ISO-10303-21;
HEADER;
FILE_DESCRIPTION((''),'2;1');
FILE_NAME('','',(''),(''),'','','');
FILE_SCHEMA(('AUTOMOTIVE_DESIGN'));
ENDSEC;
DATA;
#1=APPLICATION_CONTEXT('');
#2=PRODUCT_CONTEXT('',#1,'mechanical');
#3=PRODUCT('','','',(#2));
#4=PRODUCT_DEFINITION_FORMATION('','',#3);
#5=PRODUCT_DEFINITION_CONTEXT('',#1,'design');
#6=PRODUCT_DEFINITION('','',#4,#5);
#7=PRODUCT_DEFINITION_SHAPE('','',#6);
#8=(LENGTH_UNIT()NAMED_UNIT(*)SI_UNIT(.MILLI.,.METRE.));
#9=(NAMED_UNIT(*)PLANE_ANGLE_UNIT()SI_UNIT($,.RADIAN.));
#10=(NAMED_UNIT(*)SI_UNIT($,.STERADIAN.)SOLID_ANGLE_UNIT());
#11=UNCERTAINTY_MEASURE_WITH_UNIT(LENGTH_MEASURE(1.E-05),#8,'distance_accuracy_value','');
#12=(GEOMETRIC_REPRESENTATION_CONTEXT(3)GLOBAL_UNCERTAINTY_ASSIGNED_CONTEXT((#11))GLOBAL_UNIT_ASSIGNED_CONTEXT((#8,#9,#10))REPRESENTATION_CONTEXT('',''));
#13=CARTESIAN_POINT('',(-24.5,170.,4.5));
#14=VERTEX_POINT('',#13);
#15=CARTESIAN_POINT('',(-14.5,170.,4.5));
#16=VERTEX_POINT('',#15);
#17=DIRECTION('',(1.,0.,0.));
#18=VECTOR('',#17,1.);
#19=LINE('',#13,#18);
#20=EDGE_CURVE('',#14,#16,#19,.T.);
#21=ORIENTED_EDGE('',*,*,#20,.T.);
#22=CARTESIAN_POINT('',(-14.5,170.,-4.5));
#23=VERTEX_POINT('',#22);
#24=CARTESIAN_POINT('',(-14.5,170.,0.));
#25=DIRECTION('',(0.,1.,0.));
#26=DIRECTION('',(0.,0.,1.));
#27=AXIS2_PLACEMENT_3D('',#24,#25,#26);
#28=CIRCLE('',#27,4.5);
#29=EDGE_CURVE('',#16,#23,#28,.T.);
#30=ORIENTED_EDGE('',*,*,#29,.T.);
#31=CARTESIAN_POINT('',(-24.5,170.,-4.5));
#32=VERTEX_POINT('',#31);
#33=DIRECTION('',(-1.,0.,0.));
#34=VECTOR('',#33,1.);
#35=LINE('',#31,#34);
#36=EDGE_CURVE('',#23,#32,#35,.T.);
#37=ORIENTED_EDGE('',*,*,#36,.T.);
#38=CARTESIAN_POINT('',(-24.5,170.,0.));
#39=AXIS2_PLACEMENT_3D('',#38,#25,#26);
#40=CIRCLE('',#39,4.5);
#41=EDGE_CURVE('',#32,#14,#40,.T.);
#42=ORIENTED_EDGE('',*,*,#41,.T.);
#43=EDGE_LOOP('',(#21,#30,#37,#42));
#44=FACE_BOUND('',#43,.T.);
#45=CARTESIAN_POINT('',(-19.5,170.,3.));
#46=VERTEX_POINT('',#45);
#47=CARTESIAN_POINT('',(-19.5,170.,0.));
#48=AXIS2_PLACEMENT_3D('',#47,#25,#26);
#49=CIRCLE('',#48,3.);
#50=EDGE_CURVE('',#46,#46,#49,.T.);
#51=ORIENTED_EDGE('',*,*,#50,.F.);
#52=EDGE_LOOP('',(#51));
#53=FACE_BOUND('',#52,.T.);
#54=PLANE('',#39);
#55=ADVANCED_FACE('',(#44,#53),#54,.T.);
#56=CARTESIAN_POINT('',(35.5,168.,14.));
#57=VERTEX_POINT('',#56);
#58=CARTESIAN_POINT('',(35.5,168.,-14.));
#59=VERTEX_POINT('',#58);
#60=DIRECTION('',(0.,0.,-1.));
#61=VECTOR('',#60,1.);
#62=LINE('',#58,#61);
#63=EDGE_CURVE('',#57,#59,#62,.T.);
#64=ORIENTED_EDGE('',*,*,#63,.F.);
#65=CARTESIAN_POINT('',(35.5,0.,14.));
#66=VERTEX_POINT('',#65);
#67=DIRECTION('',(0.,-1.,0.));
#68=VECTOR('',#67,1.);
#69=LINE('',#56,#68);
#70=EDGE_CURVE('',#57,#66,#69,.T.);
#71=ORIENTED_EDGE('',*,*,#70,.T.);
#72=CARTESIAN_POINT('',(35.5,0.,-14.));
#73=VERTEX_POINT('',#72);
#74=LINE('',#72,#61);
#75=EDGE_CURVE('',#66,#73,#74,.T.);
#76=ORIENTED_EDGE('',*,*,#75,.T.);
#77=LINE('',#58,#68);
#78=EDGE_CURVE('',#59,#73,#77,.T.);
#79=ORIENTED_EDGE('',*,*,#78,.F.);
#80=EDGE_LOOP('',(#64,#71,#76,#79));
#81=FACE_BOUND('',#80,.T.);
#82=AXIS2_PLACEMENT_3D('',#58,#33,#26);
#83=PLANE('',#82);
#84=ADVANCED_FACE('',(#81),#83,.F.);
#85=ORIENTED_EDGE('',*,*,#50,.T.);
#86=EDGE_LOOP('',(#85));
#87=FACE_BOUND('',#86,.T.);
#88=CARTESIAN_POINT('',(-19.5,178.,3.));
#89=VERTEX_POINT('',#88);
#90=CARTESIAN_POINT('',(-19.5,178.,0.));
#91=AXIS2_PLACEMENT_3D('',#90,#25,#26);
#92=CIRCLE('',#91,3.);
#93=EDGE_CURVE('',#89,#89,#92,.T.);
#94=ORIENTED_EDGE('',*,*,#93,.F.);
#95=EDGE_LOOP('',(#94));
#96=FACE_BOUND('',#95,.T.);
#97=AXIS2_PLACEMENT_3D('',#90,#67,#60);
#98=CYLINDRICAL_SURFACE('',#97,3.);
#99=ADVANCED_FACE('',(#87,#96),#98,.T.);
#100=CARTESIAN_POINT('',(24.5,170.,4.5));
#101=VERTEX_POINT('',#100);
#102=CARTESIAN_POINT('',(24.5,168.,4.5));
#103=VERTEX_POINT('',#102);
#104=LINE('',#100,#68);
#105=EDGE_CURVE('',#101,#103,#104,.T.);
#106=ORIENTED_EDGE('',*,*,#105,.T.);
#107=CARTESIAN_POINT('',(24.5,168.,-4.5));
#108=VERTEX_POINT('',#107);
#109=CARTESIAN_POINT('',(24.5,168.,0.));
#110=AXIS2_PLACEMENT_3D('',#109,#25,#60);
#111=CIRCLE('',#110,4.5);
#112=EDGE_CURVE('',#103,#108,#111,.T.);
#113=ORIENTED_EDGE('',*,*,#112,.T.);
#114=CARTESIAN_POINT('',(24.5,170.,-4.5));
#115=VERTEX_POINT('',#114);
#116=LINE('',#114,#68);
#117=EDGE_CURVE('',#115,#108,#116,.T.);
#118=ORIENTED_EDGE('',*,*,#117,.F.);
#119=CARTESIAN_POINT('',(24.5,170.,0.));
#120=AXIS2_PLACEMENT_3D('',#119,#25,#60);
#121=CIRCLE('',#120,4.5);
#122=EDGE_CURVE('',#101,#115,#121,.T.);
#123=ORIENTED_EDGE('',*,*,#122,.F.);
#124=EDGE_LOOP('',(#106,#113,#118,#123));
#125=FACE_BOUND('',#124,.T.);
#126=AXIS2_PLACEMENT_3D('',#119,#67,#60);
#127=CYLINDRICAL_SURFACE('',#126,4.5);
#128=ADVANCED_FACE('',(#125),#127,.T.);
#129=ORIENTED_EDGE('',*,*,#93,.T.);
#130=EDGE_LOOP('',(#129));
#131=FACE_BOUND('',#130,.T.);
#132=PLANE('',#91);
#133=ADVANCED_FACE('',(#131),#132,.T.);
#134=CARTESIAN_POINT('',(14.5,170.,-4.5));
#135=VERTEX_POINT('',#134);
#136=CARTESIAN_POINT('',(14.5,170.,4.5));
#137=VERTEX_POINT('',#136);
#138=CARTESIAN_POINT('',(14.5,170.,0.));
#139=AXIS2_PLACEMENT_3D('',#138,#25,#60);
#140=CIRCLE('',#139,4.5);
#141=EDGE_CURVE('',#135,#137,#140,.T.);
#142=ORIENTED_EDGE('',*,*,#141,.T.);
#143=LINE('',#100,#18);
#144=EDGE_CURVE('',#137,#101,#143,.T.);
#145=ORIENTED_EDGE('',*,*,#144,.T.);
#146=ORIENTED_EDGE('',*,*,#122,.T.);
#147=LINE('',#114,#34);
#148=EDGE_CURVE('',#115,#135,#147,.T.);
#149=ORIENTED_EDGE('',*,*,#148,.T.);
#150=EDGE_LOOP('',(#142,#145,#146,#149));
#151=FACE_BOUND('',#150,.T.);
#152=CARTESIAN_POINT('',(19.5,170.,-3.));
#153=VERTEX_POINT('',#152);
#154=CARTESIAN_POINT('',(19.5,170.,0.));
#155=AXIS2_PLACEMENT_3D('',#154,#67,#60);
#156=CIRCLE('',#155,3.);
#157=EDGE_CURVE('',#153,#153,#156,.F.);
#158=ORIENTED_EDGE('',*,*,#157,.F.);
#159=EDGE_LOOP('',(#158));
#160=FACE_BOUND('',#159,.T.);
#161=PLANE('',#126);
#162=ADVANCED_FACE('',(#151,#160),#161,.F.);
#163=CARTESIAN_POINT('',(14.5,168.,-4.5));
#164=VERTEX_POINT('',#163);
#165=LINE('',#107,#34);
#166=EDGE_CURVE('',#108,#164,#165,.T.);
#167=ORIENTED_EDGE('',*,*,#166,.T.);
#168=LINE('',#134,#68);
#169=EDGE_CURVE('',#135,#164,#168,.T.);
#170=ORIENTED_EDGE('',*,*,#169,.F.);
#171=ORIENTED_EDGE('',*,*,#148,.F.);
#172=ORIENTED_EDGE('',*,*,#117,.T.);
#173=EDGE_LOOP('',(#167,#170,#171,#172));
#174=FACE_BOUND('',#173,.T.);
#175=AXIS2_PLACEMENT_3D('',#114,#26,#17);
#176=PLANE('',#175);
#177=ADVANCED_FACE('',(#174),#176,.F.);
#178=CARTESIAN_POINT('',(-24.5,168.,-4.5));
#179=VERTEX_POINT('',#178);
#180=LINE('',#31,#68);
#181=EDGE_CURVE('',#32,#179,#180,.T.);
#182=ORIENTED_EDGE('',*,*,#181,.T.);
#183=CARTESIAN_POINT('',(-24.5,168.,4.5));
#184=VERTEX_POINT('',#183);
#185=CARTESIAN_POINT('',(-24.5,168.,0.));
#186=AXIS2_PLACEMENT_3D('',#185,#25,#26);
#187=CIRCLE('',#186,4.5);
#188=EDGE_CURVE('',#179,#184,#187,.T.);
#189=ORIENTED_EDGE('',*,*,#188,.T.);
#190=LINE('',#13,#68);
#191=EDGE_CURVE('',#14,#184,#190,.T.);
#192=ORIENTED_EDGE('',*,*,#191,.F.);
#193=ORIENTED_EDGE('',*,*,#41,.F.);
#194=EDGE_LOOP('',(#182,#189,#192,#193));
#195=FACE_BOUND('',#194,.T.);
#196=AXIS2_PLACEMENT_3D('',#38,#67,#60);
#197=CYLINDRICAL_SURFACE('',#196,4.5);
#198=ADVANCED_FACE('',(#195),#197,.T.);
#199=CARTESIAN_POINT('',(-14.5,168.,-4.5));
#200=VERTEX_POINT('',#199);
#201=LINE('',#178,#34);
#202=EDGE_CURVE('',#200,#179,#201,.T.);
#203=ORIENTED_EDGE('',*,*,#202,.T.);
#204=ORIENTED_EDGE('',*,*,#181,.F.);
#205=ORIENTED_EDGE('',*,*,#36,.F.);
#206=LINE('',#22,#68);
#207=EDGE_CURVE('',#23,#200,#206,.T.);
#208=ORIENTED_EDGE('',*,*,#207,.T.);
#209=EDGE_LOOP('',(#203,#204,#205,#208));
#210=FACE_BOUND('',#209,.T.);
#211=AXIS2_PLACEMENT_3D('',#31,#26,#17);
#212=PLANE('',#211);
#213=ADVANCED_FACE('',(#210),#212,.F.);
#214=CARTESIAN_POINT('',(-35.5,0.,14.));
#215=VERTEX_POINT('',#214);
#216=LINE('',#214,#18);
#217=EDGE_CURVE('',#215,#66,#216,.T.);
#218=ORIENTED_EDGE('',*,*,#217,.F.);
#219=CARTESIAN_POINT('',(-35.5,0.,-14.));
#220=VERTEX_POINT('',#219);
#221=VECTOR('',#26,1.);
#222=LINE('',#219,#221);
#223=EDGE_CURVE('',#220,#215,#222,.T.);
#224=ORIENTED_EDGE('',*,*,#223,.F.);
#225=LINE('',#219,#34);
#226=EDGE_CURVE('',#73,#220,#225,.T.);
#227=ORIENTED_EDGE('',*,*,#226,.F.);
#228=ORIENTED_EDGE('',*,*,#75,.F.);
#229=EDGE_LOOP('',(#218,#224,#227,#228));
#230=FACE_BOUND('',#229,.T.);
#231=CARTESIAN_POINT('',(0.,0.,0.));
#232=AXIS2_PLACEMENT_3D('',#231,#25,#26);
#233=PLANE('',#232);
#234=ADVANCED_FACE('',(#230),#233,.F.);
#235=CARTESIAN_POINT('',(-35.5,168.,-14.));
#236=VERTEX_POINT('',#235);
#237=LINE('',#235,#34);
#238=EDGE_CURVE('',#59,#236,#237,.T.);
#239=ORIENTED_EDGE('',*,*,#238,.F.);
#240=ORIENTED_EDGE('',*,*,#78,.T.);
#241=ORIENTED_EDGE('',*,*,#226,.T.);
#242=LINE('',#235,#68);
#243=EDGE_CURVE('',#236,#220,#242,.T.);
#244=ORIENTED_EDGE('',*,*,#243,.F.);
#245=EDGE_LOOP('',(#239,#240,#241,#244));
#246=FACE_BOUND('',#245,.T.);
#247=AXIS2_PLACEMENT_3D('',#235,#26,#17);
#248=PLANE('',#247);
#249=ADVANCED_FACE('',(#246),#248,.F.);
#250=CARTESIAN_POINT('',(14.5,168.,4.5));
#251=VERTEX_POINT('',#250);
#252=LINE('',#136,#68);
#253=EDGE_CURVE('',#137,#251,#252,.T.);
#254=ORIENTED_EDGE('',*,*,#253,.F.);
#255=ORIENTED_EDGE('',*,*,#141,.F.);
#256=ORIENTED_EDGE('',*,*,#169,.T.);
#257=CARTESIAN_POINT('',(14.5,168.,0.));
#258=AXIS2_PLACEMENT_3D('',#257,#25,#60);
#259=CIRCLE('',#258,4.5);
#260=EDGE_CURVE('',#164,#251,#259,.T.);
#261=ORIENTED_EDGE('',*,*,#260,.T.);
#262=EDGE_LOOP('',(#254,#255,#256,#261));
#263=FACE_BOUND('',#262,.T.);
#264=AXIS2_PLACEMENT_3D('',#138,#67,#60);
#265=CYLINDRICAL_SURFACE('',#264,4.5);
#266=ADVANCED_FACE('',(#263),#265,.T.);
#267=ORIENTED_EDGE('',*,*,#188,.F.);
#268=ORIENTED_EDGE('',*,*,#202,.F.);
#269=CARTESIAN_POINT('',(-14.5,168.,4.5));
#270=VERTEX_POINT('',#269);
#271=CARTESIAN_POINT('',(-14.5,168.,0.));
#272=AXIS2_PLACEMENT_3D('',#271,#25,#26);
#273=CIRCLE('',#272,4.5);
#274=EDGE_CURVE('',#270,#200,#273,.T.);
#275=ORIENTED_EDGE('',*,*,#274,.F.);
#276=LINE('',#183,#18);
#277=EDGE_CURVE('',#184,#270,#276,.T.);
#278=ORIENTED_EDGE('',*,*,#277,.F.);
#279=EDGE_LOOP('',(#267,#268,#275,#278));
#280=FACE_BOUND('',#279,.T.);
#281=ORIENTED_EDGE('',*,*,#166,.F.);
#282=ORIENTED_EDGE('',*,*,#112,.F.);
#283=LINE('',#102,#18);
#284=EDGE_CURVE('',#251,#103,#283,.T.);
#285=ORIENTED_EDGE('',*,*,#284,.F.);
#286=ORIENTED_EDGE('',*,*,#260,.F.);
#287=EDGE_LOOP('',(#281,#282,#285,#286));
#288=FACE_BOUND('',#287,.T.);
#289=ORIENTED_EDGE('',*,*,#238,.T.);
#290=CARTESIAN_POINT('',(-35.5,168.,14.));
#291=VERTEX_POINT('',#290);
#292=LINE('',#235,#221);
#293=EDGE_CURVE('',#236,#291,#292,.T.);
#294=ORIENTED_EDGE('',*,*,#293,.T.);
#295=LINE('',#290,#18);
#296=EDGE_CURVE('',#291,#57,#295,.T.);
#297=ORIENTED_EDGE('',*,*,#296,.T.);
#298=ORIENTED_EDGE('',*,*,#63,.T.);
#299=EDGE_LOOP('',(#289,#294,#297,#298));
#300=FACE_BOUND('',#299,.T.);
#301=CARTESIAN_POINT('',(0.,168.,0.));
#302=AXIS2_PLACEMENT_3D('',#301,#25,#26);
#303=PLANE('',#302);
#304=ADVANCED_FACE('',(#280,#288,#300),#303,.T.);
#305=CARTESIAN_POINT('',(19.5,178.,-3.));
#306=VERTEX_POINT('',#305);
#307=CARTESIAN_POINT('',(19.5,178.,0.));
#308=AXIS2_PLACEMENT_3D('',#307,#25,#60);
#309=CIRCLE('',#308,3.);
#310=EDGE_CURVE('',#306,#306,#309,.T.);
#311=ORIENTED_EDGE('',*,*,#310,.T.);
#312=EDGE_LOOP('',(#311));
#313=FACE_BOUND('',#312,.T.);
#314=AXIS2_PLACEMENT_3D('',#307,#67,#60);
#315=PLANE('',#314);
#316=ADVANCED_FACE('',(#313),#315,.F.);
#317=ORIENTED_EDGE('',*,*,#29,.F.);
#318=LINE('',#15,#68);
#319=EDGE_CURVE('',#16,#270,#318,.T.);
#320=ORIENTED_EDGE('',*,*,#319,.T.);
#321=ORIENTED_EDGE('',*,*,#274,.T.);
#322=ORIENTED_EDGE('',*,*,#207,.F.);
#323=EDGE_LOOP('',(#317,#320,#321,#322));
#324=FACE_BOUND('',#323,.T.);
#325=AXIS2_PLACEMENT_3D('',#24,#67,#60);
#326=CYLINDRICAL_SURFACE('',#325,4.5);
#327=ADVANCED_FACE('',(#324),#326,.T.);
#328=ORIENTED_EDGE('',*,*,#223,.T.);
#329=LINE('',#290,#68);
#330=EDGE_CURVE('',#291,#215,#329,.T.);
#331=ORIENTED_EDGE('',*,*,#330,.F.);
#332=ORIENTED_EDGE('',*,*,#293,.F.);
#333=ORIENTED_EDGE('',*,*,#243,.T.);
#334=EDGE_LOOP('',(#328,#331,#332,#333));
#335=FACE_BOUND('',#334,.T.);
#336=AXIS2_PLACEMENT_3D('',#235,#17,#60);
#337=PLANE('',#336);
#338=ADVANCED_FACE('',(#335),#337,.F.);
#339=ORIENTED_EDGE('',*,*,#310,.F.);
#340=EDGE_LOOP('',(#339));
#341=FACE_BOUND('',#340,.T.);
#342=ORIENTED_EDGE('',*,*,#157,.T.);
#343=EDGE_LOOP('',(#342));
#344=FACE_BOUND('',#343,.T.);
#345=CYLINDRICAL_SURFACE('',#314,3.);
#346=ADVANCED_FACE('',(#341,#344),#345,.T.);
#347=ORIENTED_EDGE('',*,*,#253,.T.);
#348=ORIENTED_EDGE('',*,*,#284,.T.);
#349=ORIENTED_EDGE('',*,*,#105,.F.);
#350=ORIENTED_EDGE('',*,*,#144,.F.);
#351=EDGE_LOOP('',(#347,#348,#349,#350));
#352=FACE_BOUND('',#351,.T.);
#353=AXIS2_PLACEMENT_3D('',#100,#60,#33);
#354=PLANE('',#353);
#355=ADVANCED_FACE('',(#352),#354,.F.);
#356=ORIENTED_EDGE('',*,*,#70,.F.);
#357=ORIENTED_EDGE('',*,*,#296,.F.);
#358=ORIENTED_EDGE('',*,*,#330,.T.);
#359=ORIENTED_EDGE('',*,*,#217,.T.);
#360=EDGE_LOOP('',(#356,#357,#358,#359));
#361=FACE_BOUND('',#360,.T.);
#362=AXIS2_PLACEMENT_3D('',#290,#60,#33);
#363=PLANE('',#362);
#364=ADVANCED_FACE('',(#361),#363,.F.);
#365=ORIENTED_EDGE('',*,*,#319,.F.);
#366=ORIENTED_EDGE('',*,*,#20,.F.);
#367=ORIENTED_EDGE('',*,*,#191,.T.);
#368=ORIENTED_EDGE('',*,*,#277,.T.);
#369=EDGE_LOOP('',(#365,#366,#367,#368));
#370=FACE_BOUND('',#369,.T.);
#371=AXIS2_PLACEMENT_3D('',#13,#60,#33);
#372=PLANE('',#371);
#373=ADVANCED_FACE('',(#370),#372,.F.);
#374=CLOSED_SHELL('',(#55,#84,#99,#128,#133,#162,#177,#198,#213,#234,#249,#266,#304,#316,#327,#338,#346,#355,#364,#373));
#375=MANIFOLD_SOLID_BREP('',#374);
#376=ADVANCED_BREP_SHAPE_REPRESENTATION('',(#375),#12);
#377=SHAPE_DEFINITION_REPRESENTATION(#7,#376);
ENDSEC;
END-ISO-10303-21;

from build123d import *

# Parameters (mm, degrees)
ESQUISSE1_W        = 71
ESQUISSE1_H        = 28
BOSS_EXTRU_1_DEPTH = 168
BOSS_EXTRU_2_DEPTH = 2
ESQUISSE3_R        = 3
BOSS_EXTRU_3_DEPTH = 8


with BuildPart() as part:
    # Esquisse1 → Boss.-Extru.1 (new body)
    with BuildSketch(Plane(origin=(0, 0, 0), x_dir=(1, 0, 0), z_dir=(0, 1, 0))):
        Rectangle(ESQUISSE1_W, ESQUISSE1_H)
    extrude(amount=BOSS_EXTRU_1_DEPTH)

    # Esquisse2 → Boss.-Extru.2 (add)
    with BuildSketch(Plane(origin=(0, 168, 0), x_dir=(1, 0, 0), z_dir=(0, 1, 0))):
        with BuildLine():
            Line((-24.5, 4.5), (-14.5, 4.5))
            ThreePointArc((-14.5, 4.5), (-10, 0), (-14.5, -4.5))
            Line((-14.5, -4.5), (-24.5, -4.5))
            ThreePointArc((-24.5, -4.5), (-29, 0), (-24.5, 4.5))
        make_face()
        with BuildLine():
            Line((24.5, 4.5), (14.5, 4.5))
            ThreePointArc((14.5, 4.5), (10, 0), (14.5, -4.5))
            Line((14.5, -4.5), (24.5, -4.5))
            ThreePointArc((24.5, -4.5), (29, 0), (24.5, 4.5))
        make_face()
    extrude(amount=BOSS_EXTRU_2_DEPTH)

    # Esquisse3 → Boss.-Extru.3 (add)
    with BuildSketch(Plane(origin=(0, 170, 0), x_dir=(1, 0, 0), z_dir=(0, 1, 0))):
        with Locations((-19.5, 0)):
            Circle(ESQUISSE3_R)
        with Locations((19.5, 0)):
            Circle(ESQUISSE3_R)
    extrude(amount=BOSS_EXTRU_3_DEPTH)


solid = part.part
